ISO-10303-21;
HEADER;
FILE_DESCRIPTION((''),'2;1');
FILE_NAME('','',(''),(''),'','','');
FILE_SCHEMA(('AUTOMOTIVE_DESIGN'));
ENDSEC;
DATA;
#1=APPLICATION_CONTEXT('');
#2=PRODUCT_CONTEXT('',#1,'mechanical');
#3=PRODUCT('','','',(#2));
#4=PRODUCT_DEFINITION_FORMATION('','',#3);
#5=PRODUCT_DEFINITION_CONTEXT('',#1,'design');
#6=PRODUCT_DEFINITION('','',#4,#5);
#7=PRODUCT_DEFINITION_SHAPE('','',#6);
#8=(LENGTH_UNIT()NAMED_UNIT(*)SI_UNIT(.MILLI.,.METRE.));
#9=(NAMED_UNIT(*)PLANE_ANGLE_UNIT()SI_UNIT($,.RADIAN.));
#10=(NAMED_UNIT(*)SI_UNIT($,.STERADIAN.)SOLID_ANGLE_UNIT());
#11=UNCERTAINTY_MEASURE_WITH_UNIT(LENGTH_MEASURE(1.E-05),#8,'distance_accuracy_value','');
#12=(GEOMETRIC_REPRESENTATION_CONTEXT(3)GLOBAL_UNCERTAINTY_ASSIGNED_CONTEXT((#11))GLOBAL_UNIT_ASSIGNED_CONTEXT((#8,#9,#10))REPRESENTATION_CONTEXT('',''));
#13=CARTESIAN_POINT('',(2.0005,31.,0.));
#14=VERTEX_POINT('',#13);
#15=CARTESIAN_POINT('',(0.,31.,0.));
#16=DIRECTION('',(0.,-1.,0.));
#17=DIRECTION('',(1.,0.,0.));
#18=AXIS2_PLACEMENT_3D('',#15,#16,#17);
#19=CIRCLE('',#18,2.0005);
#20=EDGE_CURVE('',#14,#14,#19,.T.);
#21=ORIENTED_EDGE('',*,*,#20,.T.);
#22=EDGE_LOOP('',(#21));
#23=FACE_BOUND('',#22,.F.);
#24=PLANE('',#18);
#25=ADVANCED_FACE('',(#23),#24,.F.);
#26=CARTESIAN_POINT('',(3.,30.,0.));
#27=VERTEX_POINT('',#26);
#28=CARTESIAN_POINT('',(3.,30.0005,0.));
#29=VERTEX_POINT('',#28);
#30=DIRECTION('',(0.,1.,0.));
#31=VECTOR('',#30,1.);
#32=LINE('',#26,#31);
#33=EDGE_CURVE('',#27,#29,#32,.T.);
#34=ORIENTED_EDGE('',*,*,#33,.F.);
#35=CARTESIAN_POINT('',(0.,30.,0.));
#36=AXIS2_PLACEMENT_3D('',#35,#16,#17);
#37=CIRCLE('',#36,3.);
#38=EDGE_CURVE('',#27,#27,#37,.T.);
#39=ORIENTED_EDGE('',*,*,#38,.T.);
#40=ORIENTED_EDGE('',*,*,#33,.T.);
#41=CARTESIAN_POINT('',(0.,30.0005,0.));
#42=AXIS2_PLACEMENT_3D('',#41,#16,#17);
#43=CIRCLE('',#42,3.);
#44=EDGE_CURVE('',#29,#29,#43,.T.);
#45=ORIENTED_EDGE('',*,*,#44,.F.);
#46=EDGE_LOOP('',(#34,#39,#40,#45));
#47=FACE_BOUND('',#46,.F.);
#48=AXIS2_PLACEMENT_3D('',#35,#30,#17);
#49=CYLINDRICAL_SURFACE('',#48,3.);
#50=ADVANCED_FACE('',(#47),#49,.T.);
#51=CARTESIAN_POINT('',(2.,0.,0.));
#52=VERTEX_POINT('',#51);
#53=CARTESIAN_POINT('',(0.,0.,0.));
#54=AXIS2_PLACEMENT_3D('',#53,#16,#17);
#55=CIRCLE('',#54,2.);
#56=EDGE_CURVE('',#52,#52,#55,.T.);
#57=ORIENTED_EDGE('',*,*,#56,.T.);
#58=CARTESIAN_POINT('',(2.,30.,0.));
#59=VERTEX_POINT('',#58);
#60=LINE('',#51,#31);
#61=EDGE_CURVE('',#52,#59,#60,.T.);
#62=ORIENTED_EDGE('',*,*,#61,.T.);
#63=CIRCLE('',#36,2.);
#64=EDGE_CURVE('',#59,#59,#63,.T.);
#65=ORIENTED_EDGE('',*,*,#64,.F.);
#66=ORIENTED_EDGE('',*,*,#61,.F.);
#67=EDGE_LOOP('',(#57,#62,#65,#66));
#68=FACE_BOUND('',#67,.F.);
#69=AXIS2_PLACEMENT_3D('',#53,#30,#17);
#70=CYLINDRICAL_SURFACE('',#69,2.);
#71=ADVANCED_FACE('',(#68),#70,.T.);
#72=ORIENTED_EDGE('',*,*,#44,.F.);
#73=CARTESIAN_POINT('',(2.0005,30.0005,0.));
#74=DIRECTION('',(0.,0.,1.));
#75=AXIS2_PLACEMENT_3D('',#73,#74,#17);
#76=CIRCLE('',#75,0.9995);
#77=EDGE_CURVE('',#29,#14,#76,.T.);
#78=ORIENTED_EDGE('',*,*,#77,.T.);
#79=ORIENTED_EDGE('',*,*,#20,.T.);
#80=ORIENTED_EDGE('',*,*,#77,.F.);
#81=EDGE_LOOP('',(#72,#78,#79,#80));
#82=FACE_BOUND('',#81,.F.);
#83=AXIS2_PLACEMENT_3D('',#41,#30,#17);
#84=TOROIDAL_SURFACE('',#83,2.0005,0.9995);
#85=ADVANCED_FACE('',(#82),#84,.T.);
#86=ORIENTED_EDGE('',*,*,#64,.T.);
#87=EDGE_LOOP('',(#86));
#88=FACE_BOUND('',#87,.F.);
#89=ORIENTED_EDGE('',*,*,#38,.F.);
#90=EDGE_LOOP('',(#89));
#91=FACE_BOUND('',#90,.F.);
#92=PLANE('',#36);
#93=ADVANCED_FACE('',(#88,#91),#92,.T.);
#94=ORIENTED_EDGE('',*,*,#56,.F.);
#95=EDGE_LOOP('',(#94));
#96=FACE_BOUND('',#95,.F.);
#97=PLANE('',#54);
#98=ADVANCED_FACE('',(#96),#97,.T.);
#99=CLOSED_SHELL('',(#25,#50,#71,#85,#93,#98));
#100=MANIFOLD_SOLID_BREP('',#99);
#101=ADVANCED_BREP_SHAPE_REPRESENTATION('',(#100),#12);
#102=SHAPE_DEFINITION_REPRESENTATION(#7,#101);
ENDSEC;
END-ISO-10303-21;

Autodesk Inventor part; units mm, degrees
ref_plane "YZ Plane" through (0, 0, 0) normal (1, 0, 0) x (0, 1, 0)
ref_plane "XZ Plane" through (0, 0, 0) normal (0, 1, 0) x (-1, 0, 0)
ref_plane "XY Plane" through (0, 0, 0) normal (0, 0, 1) x (1, 0, 0)
sketch "Sketch1" plane through (0, 0, 0) normal (0, 0, 1) x (1, 0, 0)
  line L0 (0, 0) -> (2, 0)
  line L1 (2, 0) -> (2, 30)
  line L2 (2, 30) -> (0, 30)
  line L3 (0, 30) -> (0, 0)
  line L4 (0, 30) -> (3, 30)
  line L5 (3, 30) -> (3, 31)
  line L6 (3, 31) -> (0, 31)
  line L7 (0, 31) -> (0, 30)
  dimension "d0" = 2
  dimension "d1" = 3
  dimension "d2" = 1
  dimension "d7" = 30
revolve "Revolution1" add sketch "Sketch1" angle 360 about axis through (0, 30, 0) along (0, -1, 0)
fillet "Fillet1" radius 1 1 edges at (-3, 31, 0)
thread "Thread1" size "M3x0.5" class "6g" standard "ANSI Metric M Profile" full length
properties part number "m4x30"
